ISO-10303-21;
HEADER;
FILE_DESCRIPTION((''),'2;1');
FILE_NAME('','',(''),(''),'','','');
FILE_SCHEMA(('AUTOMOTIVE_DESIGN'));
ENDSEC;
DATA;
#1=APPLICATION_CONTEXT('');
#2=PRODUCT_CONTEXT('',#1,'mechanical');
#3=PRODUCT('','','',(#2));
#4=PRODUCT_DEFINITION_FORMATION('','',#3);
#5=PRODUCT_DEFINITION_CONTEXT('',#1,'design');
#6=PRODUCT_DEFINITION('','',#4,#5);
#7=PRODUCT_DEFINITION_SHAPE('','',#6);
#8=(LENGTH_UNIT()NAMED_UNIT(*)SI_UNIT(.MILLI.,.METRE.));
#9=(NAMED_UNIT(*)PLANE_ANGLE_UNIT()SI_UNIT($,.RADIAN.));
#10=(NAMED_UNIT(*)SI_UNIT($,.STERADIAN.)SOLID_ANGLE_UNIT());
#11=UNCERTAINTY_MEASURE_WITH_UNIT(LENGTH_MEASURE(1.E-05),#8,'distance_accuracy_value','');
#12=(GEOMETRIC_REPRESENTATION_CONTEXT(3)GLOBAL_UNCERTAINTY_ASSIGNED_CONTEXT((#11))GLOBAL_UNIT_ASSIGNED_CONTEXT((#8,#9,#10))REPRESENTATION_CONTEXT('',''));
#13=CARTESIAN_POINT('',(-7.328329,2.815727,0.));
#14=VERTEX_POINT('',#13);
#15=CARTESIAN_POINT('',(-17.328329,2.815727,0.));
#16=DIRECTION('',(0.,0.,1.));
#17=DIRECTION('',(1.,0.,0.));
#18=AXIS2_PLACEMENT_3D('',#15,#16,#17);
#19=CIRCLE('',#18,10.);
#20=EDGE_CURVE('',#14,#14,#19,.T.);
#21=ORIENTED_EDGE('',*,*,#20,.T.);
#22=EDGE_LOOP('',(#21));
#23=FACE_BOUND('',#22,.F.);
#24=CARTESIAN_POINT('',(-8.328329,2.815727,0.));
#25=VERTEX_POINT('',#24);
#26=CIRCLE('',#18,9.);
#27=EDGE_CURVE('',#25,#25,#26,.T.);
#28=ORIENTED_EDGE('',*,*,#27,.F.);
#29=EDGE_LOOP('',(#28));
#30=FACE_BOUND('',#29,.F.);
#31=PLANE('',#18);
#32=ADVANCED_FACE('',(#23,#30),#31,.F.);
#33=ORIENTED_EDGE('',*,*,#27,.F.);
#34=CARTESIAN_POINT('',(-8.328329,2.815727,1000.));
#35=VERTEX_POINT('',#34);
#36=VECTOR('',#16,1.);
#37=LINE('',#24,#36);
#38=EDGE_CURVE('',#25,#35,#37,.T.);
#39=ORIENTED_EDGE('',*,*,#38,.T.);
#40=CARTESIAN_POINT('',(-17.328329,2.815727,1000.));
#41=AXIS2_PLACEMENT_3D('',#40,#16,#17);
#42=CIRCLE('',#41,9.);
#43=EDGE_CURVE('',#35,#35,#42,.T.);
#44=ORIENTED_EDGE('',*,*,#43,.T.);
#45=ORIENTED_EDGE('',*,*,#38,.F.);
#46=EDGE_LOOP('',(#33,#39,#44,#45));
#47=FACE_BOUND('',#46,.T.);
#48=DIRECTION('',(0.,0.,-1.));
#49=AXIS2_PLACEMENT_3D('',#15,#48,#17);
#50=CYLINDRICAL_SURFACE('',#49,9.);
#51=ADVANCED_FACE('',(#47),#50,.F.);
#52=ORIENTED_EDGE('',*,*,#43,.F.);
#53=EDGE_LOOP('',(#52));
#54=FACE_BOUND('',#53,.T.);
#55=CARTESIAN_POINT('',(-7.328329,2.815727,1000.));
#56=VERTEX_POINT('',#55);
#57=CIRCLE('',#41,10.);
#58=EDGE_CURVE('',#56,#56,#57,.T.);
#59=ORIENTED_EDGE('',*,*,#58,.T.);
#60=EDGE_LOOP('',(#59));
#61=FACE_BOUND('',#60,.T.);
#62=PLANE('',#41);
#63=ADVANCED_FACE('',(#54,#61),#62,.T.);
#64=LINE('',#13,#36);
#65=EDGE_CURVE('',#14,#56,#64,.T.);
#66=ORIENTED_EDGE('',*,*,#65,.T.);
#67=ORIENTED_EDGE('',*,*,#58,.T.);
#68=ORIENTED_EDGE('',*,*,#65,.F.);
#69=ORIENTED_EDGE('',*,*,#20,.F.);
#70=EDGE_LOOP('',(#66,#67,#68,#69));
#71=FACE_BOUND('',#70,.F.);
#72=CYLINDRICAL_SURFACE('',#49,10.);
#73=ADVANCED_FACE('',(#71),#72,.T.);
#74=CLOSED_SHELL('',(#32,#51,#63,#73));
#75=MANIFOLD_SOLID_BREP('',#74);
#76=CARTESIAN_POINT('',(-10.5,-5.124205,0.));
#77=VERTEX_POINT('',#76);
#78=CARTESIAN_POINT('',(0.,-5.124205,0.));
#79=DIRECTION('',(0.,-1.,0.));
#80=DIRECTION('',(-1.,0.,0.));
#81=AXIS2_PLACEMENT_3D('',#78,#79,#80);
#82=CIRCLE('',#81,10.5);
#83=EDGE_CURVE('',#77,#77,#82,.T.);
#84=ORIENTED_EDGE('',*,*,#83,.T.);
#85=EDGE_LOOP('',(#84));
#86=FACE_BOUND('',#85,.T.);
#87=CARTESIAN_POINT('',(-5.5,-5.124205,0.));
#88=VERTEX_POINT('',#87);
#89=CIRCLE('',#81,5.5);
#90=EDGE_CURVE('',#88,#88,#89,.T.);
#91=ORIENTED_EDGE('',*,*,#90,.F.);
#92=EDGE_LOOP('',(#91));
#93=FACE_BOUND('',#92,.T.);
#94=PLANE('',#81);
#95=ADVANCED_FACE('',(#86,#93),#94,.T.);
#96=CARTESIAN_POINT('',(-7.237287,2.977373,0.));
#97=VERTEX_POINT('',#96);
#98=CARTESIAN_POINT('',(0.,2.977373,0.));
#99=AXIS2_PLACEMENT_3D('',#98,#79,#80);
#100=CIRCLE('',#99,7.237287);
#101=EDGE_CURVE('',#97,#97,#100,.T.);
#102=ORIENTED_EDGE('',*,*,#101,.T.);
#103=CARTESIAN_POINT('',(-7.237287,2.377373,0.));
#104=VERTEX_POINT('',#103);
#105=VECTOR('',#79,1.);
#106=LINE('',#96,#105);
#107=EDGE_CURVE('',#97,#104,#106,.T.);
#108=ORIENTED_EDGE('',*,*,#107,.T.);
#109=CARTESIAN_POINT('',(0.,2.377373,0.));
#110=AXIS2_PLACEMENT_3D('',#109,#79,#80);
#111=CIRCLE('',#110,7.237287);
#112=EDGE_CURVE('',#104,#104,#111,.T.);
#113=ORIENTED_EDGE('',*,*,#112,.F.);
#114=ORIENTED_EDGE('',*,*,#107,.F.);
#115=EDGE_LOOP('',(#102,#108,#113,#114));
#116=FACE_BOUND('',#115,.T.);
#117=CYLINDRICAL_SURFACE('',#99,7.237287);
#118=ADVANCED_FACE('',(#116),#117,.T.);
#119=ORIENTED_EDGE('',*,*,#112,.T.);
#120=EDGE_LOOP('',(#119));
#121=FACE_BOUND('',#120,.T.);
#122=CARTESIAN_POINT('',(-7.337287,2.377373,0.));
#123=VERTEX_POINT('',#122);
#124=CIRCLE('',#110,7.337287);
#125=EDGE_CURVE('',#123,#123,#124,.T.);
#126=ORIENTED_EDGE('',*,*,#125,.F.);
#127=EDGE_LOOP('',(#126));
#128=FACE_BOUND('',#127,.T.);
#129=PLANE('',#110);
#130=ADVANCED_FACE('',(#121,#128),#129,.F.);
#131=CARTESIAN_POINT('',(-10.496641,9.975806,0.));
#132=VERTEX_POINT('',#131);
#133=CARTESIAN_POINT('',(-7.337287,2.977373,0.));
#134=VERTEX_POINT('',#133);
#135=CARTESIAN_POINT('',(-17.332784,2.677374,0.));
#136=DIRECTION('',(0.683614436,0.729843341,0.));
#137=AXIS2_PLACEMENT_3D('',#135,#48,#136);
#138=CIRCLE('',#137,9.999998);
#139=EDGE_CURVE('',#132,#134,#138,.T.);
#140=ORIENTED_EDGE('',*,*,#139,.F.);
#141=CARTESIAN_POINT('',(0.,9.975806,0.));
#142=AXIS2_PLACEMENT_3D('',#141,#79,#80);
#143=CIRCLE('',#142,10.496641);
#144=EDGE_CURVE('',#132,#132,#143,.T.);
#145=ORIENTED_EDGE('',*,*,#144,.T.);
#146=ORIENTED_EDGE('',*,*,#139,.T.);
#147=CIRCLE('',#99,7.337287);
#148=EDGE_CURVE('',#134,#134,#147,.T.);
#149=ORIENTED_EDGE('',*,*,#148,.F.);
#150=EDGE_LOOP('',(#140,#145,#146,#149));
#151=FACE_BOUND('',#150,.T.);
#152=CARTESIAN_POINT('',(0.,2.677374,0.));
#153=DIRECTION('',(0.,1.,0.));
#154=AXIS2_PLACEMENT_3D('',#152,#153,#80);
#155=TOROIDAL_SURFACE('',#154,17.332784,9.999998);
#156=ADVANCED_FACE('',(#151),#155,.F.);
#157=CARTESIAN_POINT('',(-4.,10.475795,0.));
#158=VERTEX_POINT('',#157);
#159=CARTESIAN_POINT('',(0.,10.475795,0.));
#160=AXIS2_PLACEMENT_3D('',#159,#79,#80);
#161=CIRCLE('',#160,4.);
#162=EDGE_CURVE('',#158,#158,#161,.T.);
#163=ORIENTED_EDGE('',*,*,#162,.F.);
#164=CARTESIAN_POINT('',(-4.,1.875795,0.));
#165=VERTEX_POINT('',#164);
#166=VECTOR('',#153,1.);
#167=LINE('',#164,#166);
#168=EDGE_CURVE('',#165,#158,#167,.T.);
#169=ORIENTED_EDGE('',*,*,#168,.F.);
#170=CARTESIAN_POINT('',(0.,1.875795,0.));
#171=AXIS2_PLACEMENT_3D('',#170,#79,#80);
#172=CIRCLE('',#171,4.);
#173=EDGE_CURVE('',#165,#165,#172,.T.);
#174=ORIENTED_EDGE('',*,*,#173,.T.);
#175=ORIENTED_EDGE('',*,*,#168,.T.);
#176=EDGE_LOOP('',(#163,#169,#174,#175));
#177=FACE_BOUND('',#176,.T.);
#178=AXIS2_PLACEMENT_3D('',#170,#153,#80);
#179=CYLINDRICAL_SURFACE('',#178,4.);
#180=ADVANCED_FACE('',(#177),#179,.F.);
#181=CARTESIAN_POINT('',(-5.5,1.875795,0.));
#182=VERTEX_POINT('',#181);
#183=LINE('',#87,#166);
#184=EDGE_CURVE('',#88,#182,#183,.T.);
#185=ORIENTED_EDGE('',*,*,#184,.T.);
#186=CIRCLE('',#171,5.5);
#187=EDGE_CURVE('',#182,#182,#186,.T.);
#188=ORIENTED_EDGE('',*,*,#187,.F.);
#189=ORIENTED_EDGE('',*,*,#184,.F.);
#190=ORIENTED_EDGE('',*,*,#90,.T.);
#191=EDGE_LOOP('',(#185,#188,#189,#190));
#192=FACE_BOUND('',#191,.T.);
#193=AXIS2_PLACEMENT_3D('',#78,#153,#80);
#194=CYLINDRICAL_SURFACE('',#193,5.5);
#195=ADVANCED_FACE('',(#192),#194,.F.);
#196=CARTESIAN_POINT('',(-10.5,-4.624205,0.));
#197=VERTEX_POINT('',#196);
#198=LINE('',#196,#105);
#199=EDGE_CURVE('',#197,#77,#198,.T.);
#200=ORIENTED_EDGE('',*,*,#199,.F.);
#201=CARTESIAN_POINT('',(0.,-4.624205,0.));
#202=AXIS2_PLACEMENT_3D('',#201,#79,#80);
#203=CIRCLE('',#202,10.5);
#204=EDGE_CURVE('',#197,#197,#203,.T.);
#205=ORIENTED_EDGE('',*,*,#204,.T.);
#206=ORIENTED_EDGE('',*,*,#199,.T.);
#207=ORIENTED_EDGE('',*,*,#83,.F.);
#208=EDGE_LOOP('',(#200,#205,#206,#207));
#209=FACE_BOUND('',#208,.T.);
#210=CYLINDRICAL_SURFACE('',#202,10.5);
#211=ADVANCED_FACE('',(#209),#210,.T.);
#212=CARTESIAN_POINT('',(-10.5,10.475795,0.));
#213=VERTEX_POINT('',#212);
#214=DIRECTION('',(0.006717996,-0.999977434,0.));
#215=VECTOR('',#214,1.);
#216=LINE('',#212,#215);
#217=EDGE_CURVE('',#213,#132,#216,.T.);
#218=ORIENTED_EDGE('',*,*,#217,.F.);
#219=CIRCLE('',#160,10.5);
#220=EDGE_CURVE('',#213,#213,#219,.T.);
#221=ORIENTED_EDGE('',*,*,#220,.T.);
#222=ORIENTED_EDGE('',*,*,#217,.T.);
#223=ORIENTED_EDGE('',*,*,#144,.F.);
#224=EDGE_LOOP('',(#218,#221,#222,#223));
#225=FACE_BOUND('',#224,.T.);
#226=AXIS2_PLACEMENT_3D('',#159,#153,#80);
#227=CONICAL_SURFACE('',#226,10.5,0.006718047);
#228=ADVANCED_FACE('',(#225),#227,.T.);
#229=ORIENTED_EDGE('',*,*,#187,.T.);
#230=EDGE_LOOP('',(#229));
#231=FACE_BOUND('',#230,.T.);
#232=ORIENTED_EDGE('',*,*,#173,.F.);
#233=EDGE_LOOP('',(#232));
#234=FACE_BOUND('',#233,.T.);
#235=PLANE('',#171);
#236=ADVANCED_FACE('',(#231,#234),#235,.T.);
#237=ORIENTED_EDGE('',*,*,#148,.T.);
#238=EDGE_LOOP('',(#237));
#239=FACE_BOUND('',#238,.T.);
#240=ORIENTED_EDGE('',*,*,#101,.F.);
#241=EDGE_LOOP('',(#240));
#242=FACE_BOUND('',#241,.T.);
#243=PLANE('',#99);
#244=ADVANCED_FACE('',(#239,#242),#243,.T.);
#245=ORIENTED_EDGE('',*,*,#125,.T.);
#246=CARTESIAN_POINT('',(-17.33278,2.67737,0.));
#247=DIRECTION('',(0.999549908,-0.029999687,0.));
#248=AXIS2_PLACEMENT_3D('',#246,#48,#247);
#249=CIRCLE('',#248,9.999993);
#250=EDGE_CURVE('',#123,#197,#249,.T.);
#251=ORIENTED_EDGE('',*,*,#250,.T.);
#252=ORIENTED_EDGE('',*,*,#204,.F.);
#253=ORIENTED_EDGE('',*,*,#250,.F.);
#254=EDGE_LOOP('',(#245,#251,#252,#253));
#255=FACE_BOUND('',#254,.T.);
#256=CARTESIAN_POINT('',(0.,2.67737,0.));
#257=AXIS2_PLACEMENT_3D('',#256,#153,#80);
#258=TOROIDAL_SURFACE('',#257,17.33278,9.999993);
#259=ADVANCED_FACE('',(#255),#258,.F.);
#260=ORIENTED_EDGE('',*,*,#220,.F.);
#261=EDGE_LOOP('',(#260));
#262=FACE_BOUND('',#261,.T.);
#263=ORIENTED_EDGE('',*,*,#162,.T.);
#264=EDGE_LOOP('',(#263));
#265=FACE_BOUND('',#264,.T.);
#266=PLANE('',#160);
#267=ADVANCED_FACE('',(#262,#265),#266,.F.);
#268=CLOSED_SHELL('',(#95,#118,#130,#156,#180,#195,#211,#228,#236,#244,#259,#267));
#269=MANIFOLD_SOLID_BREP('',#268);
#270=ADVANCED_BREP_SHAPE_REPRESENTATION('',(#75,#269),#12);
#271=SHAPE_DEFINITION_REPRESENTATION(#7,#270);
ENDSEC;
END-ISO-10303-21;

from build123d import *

# Parameters (mm, degrees)
F2_R     = 10
F2_R_2   = 9
F3_DEPTH = 1000


with BuildPart() as f1:
    # F0 (on Top) → F1 (revolve)
    with BuildSketch(Plane.XY):
        with BuildLine():
            Line((-4, 1.875795), (-4, 10.475795))
            Line((-4, 10.475795), (-10.5, 10.475795))
            Line((-10.5, 10.475795), (-10.496641, 9.975806))
            ThreePointArc((-10.496641, 9.975806), (-8.21848, 6.791912), (-7.337287, 2.977373))
            Line((-7.337287, 2.977373), (-7.237287, 2.977373))
            Line((-7.237287, 2.977373), (-7.237287, 2.377373))
            Line((-7.237287, 2.377373), (-7.337287, 2.377373))
            ThreePointArc((-7.337287, 2.377373), (-8.219426, -1.439262), (-10.5, -4.624205))
            Line((-10.5, -4.624205), (-10.5, -5.124205))
            Line((-10.5, -5.124205), (-5.5, -5.124205))
            Line((-5.5, -5.124205), (-5.5, 1.875795))
            Line((-5.5, 1.875795), (-4, 1.875795))
        make_face()
    revolve(axis=Axis((0, 2.00804, 0), (0, -1, 0)))


with BuildPart() as f3:
    # F2 (on Top) → F3 (new body)
    with BuildSketch(Plane.XY):
        with Locations((-17.328329, 2.815727)):
            Circle(F2_R)
        with Locations((-17.328329, 2.815727)):
            Circle(F2_R_2, mode=Mode.SUBTRACT)
    extrude(amount=F3_DEPTH)


solid = Compound([f1.part, f3.part])
